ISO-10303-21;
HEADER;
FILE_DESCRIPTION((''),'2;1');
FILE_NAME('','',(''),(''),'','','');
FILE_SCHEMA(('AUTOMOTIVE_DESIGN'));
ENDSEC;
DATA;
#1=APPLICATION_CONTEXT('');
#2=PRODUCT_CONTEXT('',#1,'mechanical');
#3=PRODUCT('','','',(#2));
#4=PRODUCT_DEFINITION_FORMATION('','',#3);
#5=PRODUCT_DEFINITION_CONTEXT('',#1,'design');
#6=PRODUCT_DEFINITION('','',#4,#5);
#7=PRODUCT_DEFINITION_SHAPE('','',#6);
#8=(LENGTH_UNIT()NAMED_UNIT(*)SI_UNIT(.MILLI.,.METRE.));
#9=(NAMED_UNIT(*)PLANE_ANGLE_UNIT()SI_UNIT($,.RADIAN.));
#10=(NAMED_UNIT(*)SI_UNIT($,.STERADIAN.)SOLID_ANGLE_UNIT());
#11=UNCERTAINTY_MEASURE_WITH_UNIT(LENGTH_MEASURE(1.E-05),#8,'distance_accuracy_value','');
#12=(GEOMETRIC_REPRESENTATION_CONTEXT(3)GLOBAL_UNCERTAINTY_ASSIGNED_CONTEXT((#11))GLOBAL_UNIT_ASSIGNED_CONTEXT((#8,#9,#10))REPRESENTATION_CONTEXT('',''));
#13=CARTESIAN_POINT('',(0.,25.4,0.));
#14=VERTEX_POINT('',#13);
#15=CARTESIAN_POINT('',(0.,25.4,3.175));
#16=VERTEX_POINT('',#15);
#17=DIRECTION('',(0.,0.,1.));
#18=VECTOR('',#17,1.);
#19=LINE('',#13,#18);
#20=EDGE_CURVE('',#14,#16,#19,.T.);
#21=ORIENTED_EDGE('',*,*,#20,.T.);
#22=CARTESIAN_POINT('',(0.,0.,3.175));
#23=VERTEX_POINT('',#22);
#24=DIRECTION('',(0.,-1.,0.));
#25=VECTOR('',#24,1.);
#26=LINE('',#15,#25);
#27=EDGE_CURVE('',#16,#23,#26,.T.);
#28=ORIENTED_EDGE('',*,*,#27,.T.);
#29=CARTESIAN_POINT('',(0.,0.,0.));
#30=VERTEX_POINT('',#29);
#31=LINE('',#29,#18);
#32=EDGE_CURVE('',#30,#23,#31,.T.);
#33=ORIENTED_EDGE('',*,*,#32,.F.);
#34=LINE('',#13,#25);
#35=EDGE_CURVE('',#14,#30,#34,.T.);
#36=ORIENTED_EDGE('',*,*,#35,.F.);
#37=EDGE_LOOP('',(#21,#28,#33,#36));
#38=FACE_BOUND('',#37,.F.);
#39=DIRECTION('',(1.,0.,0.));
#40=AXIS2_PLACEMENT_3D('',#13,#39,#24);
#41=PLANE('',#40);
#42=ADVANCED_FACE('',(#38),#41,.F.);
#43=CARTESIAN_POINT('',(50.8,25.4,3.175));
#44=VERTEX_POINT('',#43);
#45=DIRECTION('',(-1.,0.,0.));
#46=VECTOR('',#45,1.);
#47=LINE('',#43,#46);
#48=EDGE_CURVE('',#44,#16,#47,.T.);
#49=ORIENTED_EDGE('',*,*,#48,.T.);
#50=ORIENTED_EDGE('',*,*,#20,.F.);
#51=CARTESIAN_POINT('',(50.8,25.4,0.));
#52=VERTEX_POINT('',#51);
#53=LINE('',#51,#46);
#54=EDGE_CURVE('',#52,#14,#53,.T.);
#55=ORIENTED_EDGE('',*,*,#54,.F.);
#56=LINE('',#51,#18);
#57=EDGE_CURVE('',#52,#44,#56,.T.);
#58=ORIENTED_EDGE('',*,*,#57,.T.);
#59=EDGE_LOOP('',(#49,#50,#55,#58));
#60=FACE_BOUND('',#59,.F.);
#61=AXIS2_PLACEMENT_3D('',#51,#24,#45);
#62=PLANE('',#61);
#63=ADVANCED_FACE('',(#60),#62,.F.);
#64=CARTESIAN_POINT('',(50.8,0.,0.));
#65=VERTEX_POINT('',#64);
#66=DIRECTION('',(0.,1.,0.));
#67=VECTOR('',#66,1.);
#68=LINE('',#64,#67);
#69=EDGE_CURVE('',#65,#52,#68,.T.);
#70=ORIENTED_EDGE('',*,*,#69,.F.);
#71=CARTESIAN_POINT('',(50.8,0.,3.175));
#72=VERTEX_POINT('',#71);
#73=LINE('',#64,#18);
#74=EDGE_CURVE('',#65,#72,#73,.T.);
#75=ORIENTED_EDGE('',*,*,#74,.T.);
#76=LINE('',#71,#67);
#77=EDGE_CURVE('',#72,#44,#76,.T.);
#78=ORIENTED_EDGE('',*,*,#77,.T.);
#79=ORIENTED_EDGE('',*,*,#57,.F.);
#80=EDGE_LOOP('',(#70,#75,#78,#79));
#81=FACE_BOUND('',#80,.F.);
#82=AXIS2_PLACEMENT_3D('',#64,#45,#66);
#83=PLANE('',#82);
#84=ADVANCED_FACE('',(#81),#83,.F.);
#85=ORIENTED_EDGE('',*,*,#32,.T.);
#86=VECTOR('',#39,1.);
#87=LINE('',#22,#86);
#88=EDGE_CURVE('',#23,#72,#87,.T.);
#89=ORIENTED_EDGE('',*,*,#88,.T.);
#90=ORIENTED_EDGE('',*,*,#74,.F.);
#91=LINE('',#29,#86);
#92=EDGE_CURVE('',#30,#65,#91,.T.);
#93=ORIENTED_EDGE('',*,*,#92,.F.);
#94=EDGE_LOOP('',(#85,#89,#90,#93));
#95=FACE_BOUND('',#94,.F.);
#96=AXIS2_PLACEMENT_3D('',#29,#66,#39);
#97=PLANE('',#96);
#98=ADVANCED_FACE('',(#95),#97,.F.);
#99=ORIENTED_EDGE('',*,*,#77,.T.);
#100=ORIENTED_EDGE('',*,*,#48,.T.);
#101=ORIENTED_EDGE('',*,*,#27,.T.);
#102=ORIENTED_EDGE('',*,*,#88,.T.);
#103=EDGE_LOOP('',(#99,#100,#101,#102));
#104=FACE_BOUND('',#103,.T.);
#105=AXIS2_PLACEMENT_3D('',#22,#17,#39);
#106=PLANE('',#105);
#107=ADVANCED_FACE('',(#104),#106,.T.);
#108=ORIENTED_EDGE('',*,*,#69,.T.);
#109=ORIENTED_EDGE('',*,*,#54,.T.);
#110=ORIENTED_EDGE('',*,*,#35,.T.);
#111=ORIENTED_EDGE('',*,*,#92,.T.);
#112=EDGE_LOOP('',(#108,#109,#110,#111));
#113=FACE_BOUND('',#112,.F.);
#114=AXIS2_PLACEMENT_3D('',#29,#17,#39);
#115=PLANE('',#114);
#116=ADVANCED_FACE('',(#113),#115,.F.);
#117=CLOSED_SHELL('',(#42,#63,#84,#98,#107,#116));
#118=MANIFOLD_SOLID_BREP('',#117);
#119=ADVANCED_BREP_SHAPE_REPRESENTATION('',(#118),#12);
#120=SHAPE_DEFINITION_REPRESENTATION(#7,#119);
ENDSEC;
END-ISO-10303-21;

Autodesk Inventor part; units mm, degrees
ref_plane "YZ Plane" through (0, 0, 0) normal (1, 0, 0) x (0, 1, 0)
ref_plane "XZ Plane" through (0, 0, 0) normal (0, 1, 0) x (-1, 0, 0)
ref_plane "XY Plane" through (0, 0, 0) normal (0, 0, 1) x (1, 0, 0)
sketch "Sketch1" plane through (0, 0, 0) normal (0, 0, 1) x (1, 0, 0)
  line L0 (0, 0) -> (50.8, 0)
  line L1 (50.8, 0) -> (50.8, 25.4)
  line L2 (50.8, 25.4) -> (0, 25.4)
  line L3 (0, 25.4) -> (0, 0)
  dimension "d0" = 50.8
  dimension "d1" = 25.4
extrude "Extrusion1" add sketch "Sketch1" along normal blind 3.175
properties part number "Spacer-ver1-1111-2019"
